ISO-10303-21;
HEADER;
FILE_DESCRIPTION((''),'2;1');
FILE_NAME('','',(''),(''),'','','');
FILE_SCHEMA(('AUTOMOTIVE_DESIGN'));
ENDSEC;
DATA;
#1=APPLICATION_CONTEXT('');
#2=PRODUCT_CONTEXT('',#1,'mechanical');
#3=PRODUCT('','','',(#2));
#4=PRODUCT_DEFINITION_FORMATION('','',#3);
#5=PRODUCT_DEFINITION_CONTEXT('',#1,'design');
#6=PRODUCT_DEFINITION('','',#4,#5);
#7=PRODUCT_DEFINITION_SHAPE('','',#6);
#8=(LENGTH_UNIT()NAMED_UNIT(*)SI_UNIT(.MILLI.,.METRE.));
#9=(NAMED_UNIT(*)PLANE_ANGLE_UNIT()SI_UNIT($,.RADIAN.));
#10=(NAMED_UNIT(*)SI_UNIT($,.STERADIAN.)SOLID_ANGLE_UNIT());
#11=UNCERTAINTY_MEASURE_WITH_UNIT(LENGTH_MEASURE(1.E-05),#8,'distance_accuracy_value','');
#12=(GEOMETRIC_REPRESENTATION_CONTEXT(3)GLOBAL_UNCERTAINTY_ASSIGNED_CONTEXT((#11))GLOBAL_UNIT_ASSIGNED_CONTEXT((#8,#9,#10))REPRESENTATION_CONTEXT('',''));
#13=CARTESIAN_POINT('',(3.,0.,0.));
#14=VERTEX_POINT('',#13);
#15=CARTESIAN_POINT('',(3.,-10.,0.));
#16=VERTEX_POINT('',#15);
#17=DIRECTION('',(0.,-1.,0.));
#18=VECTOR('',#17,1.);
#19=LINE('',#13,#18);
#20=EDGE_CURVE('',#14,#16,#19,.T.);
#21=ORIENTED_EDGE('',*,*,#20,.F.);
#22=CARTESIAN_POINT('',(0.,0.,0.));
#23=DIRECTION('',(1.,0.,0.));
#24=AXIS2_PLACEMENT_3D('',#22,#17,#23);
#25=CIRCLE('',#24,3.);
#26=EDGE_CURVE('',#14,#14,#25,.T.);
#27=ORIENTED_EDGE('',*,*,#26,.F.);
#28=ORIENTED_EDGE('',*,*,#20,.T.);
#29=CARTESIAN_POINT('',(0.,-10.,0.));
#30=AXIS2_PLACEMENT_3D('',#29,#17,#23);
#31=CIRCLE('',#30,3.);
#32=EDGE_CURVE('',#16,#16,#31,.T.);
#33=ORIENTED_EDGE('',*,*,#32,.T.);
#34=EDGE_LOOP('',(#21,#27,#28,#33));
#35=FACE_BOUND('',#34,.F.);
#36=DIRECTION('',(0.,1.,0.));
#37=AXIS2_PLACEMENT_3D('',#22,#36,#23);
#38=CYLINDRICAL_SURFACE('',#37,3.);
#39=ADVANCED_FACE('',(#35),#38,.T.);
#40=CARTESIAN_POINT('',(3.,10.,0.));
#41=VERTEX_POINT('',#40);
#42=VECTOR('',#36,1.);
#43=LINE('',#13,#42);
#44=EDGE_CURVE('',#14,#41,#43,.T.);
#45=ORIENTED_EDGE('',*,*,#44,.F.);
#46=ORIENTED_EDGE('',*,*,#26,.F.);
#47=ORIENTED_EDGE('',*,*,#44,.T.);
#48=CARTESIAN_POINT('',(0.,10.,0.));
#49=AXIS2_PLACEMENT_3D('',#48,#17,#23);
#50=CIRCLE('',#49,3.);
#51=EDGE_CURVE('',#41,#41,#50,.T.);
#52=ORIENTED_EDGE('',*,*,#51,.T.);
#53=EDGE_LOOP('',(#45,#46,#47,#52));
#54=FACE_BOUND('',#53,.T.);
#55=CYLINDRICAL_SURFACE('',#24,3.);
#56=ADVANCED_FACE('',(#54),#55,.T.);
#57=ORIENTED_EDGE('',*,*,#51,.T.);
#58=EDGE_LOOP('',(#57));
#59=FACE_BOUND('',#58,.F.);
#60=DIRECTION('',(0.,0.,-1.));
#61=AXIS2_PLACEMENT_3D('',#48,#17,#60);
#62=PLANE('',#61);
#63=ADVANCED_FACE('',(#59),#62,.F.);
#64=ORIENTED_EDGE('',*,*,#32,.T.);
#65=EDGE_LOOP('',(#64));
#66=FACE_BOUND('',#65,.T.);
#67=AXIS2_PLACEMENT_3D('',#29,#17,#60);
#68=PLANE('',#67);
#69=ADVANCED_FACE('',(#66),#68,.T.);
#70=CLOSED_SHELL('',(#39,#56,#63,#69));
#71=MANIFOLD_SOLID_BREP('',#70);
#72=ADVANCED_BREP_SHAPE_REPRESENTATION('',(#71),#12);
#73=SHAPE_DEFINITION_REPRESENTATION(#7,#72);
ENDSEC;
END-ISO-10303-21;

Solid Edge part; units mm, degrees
sketch "Sketch1" plane through (0, 0, 0) normal (0, -1, 0) x (1, 0, 0)
  circle A0 centre (0, 0) radius 3
extrude "Protrusion1" add sketch "Sketch1" along normal mid plane 20
